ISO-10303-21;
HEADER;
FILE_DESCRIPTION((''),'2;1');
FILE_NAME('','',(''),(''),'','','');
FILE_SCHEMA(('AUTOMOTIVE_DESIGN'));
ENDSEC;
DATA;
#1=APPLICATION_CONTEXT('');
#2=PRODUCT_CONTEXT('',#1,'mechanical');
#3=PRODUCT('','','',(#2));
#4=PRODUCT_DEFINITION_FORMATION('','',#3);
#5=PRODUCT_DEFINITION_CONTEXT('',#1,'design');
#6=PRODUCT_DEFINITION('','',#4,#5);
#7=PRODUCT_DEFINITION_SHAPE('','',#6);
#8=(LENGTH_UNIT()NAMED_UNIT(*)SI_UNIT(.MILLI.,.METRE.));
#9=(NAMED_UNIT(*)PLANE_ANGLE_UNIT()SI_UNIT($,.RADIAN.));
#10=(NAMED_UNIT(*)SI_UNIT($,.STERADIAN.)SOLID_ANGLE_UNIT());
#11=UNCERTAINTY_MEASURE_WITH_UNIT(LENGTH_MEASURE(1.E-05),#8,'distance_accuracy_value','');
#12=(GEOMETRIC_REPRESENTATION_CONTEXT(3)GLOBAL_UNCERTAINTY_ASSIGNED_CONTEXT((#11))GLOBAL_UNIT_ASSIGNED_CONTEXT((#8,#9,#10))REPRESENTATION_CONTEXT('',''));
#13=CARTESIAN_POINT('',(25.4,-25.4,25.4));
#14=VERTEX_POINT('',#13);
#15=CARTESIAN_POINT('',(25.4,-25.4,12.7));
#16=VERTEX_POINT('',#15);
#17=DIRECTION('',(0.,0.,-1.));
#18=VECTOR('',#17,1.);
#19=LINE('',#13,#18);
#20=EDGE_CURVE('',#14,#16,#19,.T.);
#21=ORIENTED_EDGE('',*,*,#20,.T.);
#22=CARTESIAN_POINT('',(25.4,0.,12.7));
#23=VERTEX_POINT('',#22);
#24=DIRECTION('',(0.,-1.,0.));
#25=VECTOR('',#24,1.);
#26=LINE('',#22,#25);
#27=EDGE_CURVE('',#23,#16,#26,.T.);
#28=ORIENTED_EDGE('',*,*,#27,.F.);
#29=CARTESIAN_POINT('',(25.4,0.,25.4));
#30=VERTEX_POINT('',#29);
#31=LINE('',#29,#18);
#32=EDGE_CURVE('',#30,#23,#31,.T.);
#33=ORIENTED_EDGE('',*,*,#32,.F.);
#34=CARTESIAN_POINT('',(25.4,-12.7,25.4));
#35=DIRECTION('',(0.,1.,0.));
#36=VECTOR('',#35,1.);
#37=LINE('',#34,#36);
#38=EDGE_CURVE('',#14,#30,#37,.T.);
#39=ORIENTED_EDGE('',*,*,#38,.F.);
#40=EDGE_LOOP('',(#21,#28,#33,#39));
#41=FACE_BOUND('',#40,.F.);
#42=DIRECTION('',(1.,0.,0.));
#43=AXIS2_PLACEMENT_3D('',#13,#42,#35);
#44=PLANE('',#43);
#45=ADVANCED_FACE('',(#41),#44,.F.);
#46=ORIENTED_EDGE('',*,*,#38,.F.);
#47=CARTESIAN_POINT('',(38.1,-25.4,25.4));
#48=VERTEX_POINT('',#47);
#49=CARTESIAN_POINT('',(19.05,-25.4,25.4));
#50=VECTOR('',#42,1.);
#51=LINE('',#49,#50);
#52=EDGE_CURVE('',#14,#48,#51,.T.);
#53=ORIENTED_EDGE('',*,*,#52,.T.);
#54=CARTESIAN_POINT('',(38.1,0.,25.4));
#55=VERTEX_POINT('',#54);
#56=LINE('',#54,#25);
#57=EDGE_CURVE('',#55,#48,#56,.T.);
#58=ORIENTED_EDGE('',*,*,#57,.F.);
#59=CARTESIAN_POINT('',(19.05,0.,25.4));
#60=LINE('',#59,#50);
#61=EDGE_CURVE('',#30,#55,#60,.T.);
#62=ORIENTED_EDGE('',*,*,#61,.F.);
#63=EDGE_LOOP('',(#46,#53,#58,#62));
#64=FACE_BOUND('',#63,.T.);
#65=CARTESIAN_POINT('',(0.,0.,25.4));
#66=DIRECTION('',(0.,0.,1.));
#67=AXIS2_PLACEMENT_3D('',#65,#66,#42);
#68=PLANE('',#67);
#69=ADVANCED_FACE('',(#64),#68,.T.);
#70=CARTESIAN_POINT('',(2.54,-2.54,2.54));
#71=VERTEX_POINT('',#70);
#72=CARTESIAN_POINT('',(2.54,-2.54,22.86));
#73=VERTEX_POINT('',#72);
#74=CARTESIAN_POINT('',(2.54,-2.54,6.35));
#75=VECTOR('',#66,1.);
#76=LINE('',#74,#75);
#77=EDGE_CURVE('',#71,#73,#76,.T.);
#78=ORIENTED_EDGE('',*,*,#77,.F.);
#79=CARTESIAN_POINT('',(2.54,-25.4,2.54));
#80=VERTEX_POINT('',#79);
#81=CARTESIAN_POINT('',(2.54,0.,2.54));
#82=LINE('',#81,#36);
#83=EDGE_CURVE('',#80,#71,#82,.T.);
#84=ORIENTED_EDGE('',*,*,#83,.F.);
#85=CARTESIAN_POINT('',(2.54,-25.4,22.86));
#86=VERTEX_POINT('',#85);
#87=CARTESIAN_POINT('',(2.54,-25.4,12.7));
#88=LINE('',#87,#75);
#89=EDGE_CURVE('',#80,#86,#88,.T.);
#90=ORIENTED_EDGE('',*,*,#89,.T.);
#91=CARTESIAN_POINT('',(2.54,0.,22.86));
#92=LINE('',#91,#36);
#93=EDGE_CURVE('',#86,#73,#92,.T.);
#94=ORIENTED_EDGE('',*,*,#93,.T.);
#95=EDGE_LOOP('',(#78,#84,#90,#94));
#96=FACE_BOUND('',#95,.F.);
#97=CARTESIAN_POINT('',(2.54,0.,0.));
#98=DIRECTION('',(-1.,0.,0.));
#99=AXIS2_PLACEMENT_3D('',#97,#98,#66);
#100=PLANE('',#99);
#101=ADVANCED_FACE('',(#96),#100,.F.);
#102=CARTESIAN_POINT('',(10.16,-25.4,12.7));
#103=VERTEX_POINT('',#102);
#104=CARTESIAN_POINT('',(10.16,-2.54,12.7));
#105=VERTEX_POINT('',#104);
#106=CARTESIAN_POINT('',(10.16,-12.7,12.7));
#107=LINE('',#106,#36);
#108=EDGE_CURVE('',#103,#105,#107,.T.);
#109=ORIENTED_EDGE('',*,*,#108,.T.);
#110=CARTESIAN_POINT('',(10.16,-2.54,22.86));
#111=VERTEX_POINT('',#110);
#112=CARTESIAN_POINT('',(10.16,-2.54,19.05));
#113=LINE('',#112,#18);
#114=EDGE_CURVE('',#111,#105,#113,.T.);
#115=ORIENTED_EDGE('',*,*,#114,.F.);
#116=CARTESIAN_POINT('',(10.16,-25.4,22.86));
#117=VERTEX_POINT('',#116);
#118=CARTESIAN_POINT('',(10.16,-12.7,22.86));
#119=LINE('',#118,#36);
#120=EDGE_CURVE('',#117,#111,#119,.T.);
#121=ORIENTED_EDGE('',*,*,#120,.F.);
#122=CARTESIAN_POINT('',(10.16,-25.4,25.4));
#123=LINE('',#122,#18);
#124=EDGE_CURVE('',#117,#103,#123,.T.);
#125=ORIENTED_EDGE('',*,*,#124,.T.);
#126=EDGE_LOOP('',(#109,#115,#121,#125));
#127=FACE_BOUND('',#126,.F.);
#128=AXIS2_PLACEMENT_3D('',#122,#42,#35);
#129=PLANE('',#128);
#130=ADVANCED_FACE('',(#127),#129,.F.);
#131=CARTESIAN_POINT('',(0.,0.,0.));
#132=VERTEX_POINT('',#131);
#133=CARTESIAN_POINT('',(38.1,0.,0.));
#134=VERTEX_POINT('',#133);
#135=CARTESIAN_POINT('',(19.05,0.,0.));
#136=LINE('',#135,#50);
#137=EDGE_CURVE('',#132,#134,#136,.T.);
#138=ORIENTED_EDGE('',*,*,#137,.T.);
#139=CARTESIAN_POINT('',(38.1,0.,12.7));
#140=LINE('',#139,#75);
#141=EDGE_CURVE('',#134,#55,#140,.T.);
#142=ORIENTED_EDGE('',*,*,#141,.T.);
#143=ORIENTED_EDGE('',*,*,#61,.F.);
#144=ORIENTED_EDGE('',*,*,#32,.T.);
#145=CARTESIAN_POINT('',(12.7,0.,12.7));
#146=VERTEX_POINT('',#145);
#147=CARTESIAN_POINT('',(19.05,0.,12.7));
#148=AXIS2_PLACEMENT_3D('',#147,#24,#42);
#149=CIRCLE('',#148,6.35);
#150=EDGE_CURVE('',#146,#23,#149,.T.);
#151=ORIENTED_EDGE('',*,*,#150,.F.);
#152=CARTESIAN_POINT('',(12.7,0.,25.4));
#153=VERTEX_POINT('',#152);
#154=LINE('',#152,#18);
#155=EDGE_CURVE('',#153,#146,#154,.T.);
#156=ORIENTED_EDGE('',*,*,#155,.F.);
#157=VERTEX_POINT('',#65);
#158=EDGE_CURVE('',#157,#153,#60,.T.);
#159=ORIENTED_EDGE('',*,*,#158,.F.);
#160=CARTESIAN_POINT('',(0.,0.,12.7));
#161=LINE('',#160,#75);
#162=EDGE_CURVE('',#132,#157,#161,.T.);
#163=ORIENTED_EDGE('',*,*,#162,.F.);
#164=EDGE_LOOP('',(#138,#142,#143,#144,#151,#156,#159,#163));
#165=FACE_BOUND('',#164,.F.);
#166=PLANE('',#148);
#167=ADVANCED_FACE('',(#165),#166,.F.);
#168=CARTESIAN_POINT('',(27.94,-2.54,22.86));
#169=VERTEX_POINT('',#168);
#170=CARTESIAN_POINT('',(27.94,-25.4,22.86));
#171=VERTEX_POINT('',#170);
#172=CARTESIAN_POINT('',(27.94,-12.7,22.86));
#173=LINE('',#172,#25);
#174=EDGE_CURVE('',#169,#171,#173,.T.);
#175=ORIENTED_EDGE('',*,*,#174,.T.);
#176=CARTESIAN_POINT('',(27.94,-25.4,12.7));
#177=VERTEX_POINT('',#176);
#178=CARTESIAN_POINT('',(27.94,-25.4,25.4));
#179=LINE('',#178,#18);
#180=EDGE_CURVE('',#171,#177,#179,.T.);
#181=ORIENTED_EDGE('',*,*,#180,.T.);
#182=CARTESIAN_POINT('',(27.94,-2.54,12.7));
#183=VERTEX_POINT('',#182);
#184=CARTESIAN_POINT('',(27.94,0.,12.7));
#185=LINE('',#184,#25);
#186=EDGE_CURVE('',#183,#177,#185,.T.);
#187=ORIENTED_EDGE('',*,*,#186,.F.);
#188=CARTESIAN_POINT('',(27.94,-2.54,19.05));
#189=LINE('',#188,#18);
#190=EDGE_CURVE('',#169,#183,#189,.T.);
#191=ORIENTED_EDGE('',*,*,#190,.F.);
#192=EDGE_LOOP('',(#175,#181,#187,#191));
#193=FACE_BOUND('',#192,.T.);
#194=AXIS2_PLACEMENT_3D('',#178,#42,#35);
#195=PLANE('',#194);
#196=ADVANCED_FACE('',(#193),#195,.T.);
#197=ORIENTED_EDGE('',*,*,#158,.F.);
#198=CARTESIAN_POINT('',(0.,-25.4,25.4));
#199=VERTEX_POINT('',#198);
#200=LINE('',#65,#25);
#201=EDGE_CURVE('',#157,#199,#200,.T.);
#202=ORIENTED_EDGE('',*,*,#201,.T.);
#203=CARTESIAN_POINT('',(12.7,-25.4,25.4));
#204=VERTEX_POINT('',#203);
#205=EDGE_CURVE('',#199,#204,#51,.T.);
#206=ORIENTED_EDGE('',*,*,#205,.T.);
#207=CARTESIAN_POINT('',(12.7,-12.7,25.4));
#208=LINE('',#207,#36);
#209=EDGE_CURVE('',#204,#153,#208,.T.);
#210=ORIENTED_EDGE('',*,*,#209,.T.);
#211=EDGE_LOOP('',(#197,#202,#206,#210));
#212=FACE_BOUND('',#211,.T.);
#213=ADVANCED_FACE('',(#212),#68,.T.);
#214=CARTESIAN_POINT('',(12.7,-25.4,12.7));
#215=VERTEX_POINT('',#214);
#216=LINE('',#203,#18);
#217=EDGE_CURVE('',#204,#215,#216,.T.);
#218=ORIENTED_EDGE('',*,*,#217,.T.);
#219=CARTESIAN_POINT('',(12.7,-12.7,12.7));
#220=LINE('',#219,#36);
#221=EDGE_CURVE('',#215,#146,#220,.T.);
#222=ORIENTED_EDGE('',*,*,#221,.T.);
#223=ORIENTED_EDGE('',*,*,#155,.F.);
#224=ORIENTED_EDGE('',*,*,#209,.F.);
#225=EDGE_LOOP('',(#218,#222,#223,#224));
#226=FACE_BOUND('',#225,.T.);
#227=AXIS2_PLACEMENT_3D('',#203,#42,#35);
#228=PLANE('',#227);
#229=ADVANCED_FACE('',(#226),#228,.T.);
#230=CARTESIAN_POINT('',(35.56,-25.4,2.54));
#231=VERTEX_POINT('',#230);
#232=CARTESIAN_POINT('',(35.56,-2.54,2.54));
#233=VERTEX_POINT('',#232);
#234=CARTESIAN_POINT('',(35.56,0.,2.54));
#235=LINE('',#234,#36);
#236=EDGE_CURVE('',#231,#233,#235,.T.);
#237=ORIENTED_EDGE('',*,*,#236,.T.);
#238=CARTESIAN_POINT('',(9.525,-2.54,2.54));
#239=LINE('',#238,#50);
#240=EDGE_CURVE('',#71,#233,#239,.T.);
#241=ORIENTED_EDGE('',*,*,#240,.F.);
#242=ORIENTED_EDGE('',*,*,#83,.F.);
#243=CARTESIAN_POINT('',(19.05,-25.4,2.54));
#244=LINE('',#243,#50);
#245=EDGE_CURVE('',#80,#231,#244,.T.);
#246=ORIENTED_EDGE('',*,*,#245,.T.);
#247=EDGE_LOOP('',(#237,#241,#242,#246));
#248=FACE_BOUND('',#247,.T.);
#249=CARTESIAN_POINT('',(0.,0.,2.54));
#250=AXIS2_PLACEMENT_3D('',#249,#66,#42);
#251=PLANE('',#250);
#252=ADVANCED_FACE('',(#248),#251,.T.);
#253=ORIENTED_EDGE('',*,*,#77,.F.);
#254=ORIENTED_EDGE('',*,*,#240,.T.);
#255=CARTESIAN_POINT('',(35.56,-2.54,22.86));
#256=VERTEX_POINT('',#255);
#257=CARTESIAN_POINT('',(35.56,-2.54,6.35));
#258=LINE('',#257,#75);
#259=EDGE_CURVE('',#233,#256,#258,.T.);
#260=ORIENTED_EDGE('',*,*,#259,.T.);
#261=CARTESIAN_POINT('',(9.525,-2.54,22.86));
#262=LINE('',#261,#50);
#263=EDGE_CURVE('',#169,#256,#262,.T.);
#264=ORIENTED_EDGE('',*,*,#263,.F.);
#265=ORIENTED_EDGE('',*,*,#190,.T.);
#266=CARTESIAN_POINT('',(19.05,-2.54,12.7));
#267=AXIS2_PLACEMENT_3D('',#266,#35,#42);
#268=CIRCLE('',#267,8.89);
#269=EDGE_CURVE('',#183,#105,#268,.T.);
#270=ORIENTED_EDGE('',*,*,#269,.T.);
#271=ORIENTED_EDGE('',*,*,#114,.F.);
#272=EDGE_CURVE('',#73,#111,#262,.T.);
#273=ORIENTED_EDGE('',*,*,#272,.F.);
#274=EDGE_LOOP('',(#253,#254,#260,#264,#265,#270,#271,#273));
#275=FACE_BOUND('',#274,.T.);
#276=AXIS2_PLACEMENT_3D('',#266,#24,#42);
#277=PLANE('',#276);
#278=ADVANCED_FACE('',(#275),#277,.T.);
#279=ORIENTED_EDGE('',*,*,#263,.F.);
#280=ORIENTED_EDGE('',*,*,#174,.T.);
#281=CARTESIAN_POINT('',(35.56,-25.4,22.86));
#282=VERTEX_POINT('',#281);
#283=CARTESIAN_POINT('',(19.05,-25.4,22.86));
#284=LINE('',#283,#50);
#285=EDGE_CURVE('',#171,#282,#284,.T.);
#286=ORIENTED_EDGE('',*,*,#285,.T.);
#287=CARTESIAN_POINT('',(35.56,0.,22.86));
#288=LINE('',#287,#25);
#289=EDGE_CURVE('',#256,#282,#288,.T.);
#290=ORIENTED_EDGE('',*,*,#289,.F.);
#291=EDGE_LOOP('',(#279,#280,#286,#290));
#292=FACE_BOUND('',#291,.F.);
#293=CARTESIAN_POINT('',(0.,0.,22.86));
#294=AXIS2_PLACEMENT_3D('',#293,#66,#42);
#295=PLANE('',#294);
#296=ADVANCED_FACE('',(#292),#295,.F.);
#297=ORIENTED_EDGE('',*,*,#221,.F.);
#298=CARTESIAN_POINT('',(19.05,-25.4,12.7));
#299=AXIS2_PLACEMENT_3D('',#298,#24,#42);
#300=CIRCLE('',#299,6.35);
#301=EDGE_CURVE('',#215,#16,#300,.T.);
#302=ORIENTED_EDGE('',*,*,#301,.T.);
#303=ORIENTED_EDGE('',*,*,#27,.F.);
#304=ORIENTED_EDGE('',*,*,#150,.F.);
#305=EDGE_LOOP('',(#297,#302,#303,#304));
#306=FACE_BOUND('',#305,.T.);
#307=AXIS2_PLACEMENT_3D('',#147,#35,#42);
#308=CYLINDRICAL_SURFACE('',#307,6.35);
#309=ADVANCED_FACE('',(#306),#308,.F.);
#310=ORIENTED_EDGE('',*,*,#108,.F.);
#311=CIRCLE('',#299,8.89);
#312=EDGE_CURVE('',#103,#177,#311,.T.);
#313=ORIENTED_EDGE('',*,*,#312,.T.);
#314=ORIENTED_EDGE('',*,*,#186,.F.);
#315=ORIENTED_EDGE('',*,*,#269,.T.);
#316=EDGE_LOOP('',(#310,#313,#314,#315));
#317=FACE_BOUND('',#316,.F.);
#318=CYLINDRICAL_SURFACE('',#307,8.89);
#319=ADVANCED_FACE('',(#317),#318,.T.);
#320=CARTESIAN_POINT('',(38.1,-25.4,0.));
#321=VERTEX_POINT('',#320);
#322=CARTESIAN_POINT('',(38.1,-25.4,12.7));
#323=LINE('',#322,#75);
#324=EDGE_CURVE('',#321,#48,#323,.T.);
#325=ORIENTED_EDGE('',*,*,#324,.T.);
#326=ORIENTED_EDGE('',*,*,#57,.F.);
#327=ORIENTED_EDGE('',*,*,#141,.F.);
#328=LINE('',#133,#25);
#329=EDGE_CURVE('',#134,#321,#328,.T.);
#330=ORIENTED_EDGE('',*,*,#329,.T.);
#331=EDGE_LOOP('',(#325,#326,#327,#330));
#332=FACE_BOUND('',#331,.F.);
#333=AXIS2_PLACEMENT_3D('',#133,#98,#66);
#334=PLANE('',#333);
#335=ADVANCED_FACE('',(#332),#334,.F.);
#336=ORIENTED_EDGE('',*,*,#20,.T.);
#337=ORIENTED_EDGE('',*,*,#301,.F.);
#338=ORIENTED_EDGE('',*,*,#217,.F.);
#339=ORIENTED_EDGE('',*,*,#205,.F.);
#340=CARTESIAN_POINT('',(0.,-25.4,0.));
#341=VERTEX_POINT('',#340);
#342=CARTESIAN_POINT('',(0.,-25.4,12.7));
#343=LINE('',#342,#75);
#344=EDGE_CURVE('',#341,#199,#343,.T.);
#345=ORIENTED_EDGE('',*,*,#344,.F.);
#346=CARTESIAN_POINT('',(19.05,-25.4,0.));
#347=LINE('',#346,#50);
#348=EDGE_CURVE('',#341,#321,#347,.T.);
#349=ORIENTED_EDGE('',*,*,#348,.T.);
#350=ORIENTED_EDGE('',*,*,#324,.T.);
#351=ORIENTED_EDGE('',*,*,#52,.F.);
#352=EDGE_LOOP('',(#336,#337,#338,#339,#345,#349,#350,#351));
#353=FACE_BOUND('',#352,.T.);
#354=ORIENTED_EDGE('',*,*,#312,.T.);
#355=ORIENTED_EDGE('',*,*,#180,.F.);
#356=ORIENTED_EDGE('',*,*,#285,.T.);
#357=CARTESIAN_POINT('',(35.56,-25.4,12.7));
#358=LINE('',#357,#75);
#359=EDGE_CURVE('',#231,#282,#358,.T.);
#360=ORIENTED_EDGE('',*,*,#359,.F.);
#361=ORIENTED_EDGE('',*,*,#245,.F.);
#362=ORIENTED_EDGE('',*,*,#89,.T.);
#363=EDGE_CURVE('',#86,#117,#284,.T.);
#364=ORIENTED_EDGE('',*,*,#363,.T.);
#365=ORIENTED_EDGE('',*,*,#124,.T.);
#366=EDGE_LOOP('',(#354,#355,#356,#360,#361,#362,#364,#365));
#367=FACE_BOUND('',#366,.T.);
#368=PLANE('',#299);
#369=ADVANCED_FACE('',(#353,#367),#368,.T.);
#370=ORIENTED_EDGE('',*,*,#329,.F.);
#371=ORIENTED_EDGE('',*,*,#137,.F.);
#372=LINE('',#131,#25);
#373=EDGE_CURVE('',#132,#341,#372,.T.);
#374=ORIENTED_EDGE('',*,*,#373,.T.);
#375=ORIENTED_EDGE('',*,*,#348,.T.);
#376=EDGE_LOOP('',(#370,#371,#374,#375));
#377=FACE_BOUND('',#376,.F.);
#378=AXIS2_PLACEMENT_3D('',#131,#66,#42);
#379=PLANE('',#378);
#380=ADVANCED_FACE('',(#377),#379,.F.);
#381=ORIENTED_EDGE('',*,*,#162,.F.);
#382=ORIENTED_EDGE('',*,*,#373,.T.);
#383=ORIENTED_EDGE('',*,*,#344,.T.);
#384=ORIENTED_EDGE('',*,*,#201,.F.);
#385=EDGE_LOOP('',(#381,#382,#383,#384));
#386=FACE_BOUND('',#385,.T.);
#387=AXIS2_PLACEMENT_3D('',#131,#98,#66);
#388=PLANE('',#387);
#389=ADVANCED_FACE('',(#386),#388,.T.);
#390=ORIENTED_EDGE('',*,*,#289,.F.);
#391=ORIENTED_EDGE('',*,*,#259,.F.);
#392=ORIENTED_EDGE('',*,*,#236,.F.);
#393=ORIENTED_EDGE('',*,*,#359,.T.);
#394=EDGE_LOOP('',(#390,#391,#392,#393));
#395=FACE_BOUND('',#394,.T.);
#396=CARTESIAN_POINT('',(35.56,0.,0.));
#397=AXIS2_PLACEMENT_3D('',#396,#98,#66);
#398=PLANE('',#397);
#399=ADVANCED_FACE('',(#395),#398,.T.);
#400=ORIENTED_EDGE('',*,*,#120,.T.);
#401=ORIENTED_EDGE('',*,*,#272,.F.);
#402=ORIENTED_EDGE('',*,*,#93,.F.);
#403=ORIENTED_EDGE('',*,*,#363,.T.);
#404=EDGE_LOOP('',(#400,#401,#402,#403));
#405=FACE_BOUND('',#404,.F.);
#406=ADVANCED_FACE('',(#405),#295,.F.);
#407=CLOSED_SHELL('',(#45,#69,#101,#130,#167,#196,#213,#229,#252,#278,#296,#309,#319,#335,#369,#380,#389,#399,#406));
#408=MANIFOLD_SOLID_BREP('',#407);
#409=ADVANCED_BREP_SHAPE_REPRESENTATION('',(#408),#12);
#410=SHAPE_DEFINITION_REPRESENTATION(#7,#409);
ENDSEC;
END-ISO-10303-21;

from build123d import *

# Parameters (mm, degrees)
F0_W     = 38.1
F0_H     = 25.4
F0_R     = 6.35
F1_DEPTH = 25.4
F2_W     = 12.7
F2_H     = 25.4
F3_DEPTH = 12.7
F4_T     = -2.54


with BuildPart() as f1:
    # F0 (on Front) → F1 (new body)
    with BuildSketch(Plane.XZ):
        with Locations((19.05, 12.7)):
            Rectangle(F0_W, F0_H)
        with Locations((19.05, 12.7)):
            Circle(F0_R, mode=Mode.SUBTRACT)
    extrude(amount=F1_DEPTH)

    # F2 (on face) → F3 (cut)
    with BuildSketch(Plane.XY.offset(25.4)):
        with Locations((19.05, -12.7)):
            Rectangle(F2_W, F2_H)
    extrude(amount=-F3_DEPTH, mode=Mode.SUBTRACT)

    # F4
    f4_openings = [f1.faces().sort_by_distance(p)[0] for p in [
        (6.35, -25.4, 24.942095),
    ]]
    offset(amount=F4_T, openings=f4_openings)


solid = f1.part
